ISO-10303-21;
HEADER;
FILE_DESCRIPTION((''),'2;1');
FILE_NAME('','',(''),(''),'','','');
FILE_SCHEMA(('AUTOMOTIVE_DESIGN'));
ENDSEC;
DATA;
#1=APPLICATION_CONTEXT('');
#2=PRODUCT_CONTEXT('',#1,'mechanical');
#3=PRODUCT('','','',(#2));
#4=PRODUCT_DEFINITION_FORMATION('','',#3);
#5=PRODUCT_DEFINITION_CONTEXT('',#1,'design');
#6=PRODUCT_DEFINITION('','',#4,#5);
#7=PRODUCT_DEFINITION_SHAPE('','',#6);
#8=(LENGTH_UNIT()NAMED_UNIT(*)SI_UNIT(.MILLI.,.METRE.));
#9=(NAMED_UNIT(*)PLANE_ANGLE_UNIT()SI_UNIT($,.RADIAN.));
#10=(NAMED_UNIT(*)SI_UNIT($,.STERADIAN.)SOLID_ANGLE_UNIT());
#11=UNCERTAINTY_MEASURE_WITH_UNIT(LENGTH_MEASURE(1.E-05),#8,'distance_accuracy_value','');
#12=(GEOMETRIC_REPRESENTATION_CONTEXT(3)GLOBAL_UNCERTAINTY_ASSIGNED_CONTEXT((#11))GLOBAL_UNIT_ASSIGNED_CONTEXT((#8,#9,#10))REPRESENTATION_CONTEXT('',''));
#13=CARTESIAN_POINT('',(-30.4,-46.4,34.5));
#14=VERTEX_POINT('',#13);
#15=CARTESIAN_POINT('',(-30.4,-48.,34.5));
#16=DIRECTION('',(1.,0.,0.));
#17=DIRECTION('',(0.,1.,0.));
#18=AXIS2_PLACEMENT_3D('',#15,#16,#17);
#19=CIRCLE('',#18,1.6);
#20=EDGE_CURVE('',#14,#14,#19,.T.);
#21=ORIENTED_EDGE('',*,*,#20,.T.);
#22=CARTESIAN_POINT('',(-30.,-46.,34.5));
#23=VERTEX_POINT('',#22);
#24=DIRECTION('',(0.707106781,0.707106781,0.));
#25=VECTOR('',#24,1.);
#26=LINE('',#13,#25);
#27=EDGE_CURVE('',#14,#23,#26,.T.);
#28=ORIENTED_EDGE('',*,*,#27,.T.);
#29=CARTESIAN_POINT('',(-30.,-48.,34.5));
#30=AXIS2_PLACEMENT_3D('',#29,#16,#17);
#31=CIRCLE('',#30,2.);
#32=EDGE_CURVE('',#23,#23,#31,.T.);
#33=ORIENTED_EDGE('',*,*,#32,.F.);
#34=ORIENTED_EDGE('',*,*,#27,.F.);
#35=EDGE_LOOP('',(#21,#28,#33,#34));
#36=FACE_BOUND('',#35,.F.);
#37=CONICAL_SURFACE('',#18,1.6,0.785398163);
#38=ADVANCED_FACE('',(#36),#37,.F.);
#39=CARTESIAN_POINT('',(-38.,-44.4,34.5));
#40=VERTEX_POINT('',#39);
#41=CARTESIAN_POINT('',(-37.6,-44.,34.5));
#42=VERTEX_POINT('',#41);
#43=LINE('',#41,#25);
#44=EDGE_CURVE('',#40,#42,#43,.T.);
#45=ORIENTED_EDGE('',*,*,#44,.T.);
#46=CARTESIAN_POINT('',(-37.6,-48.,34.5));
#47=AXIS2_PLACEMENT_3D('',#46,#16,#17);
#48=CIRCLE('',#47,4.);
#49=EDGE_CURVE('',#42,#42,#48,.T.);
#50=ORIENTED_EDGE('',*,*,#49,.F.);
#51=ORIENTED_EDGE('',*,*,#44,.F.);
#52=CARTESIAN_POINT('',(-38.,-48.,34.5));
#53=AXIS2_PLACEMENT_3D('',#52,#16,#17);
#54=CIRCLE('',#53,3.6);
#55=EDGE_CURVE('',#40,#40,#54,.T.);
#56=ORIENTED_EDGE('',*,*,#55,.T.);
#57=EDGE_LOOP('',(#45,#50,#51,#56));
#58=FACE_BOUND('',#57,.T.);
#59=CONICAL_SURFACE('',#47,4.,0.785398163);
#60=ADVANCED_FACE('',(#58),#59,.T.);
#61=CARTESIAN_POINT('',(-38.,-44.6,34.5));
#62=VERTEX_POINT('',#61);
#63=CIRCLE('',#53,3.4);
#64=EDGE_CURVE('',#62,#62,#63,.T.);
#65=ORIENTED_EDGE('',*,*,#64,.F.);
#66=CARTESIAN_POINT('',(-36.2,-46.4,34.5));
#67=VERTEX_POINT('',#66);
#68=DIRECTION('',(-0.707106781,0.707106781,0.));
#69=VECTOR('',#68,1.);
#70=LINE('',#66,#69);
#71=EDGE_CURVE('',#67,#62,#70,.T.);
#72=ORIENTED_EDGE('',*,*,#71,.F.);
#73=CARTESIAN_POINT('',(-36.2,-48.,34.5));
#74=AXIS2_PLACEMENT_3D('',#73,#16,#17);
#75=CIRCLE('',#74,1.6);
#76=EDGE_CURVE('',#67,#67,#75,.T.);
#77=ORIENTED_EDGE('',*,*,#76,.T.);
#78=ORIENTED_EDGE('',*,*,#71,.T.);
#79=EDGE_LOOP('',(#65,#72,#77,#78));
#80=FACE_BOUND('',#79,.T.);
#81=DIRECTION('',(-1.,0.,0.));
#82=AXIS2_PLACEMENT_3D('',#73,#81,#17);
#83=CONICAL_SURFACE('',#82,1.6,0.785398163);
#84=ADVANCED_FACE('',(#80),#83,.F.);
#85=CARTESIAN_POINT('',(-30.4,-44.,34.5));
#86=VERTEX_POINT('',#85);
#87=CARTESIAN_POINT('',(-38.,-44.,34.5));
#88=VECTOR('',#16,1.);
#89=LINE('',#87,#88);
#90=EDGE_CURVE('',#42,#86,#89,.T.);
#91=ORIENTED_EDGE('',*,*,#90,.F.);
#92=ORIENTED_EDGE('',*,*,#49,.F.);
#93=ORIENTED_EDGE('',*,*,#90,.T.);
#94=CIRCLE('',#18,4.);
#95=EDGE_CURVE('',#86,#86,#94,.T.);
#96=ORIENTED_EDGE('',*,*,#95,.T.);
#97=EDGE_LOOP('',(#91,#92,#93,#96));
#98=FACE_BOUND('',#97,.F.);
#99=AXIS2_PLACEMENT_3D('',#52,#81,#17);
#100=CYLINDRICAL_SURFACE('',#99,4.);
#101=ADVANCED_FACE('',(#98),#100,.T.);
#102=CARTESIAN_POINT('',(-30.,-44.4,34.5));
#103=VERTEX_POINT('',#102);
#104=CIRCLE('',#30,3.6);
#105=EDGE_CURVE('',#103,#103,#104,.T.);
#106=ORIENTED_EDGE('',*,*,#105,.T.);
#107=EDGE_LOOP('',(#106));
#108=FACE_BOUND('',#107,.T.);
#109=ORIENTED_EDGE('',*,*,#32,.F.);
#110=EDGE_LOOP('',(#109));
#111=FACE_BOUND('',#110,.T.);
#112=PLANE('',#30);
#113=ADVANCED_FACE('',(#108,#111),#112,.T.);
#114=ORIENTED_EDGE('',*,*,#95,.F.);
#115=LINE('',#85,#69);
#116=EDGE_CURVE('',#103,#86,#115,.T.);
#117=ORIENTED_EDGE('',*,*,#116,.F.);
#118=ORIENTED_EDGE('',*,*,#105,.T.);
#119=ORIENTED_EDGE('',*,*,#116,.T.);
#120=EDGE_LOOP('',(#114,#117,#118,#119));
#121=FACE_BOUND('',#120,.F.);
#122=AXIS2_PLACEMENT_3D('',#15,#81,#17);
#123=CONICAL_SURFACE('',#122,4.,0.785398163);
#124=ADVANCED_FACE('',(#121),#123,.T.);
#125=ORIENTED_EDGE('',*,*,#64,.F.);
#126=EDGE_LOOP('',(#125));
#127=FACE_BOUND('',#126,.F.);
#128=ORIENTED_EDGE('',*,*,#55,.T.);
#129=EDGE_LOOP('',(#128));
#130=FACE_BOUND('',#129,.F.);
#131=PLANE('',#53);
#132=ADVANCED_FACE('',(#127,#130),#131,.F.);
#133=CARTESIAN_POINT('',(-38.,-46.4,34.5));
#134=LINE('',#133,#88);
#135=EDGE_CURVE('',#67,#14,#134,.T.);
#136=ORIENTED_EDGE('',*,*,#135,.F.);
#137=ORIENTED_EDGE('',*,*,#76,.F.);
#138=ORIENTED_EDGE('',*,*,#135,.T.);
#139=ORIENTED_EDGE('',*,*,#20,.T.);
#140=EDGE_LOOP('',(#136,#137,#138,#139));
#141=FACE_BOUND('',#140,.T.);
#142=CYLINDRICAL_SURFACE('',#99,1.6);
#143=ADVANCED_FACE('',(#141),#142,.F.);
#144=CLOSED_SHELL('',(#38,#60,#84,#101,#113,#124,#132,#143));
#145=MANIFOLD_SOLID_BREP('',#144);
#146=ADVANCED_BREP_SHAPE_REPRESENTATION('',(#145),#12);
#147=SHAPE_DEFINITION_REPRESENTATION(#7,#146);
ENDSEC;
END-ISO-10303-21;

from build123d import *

# Parameters (mm, degrees)
SKETCH112_R     = 4
SKETCH112_R_2   = 1.6
PAD058_DEPTH    = 8
CHAMFER039_SIZE = 1.8
CHAMFER040_SIZE = 0.4


with BuildPart() as part:
    # Sketch112 → Pad058 (new body)
    with BuildSketch(Plane.YZ):
        Circle(SKETCH112_R)
        Circle(SKETCH112_R_2, mode=Mode.SUBTRACT)
    extrude(amount=PAD058_DEPTH)

    # Chamfer039
    chamfer039_edges = [part.edges().sort_by_distance(p)[0] for p in [
        (0, -1.6, 0),
    ]]
    chamfer(chamfer039_edges, length=CHAMFER039_SIZE)

    # Chamfer040
    chamfer040_edges = [part.edges().sort_by_distance(p)[0] for p in [
        (0, -4, 0),
        (8, -4, 0),
        (8, -1.6, 0),
    ]]
    chamfer(chamfer040_edges, length=CHAMFER040_SIZE)


with BuildPart() as part_1:
    # Body045 placement: moved
    add(part.part.moved(Location((-38, -48, 34.5))))


solid = part_1.part
